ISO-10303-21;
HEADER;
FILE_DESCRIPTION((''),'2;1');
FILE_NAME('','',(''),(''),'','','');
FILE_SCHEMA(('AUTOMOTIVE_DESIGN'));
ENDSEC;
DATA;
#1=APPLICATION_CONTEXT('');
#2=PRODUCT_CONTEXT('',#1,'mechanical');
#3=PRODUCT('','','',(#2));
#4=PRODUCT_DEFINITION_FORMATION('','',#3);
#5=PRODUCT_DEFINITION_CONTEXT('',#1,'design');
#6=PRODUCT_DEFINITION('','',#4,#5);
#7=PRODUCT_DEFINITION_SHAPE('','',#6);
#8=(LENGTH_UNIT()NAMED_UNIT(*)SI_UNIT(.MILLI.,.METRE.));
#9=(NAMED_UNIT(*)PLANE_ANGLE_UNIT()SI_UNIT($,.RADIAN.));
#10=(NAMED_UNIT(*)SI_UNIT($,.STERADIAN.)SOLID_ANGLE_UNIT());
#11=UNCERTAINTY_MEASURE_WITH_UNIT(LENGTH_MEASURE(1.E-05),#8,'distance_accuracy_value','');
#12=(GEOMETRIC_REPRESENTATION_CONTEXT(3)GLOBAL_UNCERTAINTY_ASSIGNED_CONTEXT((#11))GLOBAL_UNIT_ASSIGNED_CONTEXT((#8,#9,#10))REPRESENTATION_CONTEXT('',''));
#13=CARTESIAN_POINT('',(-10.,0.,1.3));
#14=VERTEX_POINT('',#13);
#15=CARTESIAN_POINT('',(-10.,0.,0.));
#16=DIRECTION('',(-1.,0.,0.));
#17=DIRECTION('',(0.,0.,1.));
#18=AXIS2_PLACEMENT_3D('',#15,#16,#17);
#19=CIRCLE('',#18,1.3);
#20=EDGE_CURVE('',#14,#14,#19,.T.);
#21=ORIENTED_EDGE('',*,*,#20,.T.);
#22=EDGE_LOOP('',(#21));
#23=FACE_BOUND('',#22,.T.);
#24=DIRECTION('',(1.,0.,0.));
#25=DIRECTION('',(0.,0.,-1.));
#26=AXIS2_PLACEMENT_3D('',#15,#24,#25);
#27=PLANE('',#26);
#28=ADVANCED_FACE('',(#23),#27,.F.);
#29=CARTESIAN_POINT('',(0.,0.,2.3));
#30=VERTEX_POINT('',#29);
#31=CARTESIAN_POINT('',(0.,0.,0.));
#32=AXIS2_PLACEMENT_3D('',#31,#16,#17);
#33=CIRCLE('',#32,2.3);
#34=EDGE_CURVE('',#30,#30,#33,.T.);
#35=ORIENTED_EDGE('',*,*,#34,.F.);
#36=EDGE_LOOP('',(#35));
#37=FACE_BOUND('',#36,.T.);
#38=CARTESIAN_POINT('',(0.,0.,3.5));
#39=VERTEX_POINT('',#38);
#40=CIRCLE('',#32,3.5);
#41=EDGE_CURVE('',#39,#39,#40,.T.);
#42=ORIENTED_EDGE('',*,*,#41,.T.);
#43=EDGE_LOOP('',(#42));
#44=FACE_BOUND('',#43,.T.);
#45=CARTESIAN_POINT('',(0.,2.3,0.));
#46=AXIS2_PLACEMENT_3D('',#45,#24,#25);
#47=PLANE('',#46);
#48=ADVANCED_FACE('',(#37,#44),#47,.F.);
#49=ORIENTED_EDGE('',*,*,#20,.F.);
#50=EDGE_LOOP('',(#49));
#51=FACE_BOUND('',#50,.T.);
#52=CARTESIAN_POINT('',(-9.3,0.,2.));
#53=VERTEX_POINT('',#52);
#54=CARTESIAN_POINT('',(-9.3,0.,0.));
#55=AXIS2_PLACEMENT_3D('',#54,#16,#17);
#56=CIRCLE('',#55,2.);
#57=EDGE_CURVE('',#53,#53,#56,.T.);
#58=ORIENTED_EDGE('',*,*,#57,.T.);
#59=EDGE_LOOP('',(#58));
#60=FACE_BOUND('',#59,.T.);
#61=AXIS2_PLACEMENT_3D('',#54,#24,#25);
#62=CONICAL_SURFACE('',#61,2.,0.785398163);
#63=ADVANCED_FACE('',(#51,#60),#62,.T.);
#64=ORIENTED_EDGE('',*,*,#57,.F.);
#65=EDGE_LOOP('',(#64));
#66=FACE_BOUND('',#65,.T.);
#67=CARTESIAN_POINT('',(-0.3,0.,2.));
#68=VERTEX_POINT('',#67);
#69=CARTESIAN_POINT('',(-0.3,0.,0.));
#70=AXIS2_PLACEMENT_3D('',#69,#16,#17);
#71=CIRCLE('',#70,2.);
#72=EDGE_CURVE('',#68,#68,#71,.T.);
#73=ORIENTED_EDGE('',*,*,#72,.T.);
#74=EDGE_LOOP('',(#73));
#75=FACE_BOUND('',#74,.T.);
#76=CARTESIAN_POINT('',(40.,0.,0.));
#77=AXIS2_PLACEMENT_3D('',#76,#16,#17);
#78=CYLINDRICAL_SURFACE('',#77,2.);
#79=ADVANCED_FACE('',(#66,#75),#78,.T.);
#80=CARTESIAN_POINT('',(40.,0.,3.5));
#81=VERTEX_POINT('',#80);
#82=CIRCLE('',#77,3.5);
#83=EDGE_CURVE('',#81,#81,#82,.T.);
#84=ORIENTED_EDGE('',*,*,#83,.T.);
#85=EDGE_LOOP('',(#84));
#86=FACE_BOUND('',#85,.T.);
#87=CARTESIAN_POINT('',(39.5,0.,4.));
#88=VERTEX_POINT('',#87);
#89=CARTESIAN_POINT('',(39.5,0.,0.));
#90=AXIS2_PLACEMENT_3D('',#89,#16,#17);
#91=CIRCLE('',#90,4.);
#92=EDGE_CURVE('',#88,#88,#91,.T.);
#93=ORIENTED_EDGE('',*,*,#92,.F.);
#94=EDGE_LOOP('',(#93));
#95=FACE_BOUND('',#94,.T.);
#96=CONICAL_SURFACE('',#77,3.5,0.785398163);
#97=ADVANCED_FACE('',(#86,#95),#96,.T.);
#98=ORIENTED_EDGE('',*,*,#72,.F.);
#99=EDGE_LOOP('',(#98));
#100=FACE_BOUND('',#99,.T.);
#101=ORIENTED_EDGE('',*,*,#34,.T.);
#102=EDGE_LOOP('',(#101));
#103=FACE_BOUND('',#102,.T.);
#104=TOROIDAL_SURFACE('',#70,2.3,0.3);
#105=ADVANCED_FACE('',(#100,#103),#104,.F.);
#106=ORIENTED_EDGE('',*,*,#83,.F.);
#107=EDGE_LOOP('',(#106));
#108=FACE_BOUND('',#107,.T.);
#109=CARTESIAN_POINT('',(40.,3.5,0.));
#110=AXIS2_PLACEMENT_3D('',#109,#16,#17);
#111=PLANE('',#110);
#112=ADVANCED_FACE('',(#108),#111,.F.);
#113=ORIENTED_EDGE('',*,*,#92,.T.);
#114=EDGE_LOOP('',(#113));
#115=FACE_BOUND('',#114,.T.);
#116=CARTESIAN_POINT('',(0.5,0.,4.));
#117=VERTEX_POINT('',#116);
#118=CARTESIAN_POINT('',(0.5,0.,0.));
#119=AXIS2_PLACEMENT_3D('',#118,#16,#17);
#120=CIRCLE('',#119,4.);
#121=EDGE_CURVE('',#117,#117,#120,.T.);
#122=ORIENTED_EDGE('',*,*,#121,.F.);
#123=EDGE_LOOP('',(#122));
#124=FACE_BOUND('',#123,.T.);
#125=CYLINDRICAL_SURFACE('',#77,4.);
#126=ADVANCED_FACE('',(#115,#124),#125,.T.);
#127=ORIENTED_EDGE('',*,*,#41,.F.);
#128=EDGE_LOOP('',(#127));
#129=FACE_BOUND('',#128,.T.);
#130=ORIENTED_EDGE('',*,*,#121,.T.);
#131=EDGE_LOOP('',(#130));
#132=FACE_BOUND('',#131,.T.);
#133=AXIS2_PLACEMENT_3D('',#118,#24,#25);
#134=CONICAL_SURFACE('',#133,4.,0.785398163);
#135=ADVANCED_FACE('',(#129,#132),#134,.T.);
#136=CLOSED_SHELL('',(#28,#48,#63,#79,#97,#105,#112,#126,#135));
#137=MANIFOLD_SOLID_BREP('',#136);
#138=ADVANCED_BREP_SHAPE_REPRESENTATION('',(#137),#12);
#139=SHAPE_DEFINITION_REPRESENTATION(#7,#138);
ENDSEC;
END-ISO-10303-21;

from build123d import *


with BuildPart() as part:
    # Sketch1 → Revolve1 (revolve)
    with BuildSketch(Plane.XY, mode=Mode.PRIVATE) as revolve1_sk:
        with BuildLine():
            Line((-10, 0), (-10, 1.3))
            Line((-10, 1.3), (-9.3, 2))
            Line((-9.3, 2), (-0.3, 2))
            ThreePointArc((-0.3, 2), (-0.087867966, 2.087867966), (0, 2.3))
            Line((0, 2.3), (0, 3.5))
            Line((0, 3.5), (0.5, 4))
            Line((0.5, 4), (39.5, 4))
            Line((39.5, 4), (40, 3.5))
            Line((40, 3.5), (40, 0))
            Line((40, 0), (-10, 0))
        make_face()
    revolve(revolve1_sk.sketch.rotate(Axis((40, 0, 0), (-1, 0, 0)), 270), axis=Axis((40, 0, 0), (-1, 0, 0)))


solid = part.part
